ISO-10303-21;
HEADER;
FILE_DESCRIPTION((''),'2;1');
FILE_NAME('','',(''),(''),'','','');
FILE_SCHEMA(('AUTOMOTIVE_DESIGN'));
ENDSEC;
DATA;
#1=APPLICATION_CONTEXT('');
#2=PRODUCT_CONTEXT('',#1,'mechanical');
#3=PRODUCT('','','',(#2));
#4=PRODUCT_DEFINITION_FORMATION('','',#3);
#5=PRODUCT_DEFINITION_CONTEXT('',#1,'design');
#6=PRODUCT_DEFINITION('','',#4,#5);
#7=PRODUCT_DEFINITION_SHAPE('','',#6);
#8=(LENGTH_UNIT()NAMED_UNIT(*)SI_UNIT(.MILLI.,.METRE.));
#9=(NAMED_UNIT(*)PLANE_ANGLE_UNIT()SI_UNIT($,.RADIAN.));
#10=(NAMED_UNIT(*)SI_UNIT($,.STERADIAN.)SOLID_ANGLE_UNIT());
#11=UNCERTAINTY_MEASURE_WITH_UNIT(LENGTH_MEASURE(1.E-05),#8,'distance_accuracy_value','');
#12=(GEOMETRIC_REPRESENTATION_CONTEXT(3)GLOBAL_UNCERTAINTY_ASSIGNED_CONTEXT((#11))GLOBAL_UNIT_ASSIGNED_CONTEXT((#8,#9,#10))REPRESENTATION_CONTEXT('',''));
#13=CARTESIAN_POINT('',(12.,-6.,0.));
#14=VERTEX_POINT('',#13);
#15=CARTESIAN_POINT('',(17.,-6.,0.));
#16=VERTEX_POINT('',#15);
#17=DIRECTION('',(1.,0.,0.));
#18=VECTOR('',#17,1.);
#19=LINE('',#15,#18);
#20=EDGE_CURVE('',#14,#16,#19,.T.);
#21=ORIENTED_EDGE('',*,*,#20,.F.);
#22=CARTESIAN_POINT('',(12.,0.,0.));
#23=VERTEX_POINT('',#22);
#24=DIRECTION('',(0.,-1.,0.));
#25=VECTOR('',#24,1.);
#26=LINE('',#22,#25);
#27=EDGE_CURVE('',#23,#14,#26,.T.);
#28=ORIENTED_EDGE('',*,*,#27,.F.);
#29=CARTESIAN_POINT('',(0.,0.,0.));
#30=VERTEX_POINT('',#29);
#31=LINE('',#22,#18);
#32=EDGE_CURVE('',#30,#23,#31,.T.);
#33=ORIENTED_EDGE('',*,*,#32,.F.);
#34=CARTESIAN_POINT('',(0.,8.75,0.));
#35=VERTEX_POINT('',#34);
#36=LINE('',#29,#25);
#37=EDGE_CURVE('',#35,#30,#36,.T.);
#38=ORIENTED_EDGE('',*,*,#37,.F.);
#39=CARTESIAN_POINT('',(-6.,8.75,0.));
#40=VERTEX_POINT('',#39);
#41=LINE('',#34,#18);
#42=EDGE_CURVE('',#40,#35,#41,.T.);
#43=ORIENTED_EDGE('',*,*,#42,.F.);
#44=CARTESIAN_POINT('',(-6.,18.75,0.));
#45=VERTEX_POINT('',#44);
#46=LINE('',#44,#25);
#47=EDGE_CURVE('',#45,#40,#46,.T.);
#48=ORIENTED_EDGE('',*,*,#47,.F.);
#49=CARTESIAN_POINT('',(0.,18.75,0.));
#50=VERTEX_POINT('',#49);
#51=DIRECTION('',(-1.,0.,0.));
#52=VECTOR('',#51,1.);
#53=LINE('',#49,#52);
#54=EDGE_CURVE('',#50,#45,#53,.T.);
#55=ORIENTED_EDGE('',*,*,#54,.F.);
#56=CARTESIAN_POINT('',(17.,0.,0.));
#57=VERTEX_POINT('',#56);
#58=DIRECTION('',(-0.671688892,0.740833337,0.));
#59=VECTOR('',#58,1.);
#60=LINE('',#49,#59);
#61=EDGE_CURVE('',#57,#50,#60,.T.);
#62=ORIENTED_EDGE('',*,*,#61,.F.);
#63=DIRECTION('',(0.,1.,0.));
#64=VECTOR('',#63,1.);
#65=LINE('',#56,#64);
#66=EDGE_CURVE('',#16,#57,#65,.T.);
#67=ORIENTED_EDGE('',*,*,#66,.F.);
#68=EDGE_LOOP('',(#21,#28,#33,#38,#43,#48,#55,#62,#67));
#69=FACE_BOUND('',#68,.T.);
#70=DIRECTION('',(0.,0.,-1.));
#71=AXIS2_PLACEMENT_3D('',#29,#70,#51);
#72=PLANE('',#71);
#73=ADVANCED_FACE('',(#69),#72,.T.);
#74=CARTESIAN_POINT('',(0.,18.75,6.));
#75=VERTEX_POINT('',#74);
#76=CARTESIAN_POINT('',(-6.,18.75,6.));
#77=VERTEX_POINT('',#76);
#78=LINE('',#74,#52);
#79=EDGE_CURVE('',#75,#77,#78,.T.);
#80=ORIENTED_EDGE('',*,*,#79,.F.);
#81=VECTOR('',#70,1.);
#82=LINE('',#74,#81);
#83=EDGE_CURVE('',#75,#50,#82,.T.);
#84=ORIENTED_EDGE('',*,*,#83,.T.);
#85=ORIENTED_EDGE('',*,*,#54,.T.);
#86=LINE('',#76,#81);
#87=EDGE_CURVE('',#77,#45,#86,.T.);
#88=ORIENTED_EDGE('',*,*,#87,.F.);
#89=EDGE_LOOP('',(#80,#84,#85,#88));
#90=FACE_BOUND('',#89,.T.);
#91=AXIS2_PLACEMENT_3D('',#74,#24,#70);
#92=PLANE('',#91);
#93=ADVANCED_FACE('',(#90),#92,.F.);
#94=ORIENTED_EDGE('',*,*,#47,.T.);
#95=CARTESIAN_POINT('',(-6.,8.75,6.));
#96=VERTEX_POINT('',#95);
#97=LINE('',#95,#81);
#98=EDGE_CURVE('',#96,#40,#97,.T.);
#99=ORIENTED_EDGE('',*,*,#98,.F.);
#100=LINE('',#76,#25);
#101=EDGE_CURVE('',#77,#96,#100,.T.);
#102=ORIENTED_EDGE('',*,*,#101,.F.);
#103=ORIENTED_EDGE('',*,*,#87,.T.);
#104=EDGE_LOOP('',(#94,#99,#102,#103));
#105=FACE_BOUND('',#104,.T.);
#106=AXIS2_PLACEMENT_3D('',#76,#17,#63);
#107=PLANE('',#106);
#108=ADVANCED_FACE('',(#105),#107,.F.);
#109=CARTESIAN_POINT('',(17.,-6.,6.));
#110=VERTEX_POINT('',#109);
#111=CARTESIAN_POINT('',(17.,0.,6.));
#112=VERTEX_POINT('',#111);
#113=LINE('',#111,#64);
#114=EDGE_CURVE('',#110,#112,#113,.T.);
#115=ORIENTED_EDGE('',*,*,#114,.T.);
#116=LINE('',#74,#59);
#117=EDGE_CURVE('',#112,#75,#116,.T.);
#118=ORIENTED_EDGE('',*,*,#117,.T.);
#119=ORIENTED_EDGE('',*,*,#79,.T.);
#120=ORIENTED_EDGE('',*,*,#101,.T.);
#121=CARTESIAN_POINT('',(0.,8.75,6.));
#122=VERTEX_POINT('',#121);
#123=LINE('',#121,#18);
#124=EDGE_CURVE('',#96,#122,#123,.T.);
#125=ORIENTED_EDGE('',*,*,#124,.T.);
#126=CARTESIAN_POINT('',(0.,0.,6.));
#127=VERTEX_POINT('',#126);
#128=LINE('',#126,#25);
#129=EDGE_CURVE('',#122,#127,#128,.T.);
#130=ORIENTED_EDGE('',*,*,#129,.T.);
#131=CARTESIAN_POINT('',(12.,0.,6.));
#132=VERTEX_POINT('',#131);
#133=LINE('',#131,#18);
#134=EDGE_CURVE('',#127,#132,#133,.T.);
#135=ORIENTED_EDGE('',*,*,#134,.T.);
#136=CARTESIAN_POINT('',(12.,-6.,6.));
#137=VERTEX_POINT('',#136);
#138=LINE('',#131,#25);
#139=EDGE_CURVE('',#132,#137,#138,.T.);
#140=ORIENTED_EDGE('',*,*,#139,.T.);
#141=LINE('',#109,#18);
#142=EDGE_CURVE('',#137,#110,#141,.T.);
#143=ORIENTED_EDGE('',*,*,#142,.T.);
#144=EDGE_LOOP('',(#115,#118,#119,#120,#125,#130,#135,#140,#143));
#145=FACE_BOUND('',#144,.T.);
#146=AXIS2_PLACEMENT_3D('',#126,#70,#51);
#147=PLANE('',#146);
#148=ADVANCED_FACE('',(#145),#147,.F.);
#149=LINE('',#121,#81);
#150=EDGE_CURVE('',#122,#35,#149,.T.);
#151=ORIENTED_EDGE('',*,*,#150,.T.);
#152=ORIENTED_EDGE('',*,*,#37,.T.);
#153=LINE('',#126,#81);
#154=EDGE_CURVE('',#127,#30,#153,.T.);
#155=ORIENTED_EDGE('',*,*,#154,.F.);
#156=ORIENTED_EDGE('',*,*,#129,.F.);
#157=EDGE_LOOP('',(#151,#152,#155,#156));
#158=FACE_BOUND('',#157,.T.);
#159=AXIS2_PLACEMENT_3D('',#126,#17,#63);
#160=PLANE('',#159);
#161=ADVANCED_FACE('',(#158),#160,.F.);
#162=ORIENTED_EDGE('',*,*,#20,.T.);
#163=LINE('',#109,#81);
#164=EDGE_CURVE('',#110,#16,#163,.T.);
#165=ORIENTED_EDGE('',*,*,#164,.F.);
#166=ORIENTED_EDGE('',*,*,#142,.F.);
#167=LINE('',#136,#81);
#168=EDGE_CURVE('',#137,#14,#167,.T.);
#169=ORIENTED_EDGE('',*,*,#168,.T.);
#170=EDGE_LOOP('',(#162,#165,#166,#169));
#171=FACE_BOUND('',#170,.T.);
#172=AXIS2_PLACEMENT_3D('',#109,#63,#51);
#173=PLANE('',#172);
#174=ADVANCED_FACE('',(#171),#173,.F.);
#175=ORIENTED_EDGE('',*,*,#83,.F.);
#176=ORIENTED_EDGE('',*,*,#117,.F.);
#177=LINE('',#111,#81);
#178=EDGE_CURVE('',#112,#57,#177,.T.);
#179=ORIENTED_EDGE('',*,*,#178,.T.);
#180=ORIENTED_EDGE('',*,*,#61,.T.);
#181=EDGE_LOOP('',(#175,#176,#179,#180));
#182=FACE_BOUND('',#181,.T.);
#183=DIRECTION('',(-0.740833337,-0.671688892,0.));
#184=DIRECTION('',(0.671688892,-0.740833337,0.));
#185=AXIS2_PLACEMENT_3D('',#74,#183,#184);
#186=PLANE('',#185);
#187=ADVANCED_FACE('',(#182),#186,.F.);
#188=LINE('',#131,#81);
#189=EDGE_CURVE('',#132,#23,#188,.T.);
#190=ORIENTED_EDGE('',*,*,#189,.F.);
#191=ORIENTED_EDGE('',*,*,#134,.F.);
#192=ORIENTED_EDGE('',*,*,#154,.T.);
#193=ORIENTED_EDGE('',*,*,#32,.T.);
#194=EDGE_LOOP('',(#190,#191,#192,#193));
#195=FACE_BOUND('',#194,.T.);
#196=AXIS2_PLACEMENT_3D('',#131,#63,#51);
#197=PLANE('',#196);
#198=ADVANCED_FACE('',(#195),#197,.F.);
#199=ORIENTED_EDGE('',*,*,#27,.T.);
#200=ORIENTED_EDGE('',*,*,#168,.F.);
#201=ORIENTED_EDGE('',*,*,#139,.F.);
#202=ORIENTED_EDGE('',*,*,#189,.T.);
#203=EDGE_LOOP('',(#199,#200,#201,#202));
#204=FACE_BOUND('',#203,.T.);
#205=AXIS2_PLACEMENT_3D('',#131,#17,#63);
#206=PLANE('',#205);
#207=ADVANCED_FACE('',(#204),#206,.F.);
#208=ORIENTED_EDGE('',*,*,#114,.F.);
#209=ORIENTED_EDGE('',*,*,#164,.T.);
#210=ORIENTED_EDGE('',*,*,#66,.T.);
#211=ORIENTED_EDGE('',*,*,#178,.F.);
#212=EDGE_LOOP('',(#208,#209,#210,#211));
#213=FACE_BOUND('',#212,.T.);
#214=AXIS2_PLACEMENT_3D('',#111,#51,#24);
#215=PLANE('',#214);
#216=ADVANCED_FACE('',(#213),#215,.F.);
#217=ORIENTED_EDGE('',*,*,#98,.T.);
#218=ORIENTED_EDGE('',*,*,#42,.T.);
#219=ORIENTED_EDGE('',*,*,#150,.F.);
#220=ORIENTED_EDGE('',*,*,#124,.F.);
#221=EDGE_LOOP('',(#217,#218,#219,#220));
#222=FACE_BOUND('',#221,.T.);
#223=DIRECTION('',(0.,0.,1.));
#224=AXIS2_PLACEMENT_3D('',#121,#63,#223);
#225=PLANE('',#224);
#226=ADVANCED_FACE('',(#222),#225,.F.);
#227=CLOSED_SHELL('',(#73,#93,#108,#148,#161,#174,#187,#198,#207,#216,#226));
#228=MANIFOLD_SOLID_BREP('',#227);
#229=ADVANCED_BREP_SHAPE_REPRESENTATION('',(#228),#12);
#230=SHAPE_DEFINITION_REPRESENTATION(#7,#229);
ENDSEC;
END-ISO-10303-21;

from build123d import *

# Parameters (mm, degrees)
BOSS_EXTRUDE1_DEPTH = 6


with BuildPart() as part:
    # Sketch1 → Boss-Extrude1 (new body)
    with BuildSketch(Plane.XY):
        Polygon((0, 0), (0, 8.75), (-6, 8.75), (-6, 18.75), (0, 18.75), (17, 0), (17, -6), (12, -6), (12, 0), align=None)
    extrude(amount=BOSS_EXTRUDE1_DEPTH)


solid = part.part
